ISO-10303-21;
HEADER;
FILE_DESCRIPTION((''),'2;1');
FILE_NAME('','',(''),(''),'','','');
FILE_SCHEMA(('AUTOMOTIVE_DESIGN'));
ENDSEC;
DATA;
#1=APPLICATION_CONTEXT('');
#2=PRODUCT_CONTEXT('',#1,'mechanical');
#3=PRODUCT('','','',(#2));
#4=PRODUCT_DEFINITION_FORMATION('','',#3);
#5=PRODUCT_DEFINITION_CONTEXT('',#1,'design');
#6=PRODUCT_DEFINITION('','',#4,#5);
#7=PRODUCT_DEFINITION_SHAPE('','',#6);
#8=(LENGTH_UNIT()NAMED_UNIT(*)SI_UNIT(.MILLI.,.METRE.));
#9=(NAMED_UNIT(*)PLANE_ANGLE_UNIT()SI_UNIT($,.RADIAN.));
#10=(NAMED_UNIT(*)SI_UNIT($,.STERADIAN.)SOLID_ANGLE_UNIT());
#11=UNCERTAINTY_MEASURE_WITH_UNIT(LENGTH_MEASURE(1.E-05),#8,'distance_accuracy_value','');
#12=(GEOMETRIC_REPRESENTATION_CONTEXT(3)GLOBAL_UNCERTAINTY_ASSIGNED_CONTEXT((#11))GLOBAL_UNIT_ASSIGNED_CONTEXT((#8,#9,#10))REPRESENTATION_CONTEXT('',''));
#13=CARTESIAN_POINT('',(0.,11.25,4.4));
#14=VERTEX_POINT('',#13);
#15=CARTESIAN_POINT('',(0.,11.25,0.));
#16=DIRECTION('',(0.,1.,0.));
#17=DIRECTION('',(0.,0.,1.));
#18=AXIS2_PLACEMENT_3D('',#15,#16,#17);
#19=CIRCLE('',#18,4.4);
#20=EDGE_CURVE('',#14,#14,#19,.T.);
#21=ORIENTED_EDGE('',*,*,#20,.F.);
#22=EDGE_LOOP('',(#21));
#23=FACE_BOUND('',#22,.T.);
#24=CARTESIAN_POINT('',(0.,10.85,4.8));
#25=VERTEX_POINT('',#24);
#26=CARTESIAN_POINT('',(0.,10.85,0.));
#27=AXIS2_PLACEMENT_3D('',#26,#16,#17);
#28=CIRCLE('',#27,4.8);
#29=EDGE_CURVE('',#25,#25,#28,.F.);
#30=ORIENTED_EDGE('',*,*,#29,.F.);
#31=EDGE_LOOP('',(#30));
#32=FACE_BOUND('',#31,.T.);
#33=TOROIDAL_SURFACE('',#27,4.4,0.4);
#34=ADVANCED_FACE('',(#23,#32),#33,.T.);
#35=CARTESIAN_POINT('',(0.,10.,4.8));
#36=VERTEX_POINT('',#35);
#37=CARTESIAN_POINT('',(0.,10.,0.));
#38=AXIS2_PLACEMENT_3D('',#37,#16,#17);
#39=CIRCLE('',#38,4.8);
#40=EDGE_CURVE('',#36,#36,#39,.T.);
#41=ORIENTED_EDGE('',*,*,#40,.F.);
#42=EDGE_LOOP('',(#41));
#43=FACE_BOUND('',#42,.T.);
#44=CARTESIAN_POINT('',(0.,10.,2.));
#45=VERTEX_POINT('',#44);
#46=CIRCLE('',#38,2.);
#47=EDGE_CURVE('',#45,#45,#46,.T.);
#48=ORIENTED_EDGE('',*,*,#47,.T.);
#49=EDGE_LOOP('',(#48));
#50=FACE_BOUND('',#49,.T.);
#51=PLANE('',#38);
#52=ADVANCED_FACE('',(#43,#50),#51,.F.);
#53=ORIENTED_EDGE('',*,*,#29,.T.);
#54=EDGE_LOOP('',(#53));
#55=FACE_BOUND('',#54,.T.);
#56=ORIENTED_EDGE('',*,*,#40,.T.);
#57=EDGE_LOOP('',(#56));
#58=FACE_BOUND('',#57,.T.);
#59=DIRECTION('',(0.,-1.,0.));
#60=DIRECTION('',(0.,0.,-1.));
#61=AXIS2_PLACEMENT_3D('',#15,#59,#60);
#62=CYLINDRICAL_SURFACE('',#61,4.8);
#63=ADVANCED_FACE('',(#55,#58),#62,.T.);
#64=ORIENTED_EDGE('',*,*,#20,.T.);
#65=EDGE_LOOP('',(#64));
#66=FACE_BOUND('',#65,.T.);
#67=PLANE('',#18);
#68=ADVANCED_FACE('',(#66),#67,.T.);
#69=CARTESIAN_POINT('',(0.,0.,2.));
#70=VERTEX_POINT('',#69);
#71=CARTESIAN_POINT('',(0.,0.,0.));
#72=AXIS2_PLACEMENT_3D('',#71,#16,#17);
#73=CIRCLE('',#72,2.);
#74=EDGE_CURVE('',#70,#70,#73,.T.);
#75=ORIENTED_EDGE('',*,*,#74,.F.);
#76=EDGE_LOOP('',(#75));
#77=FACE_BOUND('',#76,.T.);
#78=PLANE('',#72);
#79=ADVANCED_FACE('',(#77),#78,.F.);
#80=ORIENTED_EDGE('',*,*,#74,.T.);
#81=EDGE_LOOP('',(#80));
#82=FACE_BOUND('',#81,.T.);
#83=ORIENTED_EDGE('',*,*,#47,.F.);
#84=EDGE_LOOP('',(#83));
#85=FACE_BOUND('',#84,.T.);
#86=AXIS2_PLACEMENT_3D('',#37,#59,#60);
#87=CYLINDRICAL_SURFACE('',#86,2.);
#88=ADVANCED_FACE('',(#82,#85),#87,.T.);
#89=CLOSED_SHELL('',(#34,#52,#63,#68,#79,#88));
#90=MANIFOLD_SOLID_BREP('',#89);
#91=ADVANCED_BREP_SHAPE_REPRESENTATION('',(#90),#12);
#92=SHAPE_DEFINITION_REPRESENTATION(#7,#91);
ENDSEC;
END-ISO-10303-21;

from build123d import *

# Parameters (mm, degrees)
SKETCH1_R           = 2
BOSS_EXTRUDE1_DEPTH = 10
SKETCH2_R           = 4.8
BOSS_EXTRUDE2_DEPTH = 1.25
FILLET2_R           = 0.4


with BuildPart() as part:
    # Sketch1 → Boss-Extrude1 (new body)
    with BuildSketch(Plane(origin=(0, 0, 0), x_dir=(1, 0, 0), z_dir=(0, 1, 0))):
        Circle(SKETCH1_R)
    extrude(amount=BOSS_EXTRUDE1_DEPTH)

    # Sketch2 → Boss-Extrude2 (add)
    with BuildSketch(Plane(origin=(0, 10, 0), x_dir=(1, 0, 0), z_dir=(0, 1, 0))):
        Circle(SKETCH2_R)
    extrude(amount=BOSS_EXTRUDE2_DEPTH)

    # Fillet2
    fillet2_edges = [part.edges().sort_by_distance(p)[0] for p in [
        (-4.8, 11.25, 0),
    ]]
    fillet(fillet2_edges, radius=FILLET2_R)


solid = part.part
